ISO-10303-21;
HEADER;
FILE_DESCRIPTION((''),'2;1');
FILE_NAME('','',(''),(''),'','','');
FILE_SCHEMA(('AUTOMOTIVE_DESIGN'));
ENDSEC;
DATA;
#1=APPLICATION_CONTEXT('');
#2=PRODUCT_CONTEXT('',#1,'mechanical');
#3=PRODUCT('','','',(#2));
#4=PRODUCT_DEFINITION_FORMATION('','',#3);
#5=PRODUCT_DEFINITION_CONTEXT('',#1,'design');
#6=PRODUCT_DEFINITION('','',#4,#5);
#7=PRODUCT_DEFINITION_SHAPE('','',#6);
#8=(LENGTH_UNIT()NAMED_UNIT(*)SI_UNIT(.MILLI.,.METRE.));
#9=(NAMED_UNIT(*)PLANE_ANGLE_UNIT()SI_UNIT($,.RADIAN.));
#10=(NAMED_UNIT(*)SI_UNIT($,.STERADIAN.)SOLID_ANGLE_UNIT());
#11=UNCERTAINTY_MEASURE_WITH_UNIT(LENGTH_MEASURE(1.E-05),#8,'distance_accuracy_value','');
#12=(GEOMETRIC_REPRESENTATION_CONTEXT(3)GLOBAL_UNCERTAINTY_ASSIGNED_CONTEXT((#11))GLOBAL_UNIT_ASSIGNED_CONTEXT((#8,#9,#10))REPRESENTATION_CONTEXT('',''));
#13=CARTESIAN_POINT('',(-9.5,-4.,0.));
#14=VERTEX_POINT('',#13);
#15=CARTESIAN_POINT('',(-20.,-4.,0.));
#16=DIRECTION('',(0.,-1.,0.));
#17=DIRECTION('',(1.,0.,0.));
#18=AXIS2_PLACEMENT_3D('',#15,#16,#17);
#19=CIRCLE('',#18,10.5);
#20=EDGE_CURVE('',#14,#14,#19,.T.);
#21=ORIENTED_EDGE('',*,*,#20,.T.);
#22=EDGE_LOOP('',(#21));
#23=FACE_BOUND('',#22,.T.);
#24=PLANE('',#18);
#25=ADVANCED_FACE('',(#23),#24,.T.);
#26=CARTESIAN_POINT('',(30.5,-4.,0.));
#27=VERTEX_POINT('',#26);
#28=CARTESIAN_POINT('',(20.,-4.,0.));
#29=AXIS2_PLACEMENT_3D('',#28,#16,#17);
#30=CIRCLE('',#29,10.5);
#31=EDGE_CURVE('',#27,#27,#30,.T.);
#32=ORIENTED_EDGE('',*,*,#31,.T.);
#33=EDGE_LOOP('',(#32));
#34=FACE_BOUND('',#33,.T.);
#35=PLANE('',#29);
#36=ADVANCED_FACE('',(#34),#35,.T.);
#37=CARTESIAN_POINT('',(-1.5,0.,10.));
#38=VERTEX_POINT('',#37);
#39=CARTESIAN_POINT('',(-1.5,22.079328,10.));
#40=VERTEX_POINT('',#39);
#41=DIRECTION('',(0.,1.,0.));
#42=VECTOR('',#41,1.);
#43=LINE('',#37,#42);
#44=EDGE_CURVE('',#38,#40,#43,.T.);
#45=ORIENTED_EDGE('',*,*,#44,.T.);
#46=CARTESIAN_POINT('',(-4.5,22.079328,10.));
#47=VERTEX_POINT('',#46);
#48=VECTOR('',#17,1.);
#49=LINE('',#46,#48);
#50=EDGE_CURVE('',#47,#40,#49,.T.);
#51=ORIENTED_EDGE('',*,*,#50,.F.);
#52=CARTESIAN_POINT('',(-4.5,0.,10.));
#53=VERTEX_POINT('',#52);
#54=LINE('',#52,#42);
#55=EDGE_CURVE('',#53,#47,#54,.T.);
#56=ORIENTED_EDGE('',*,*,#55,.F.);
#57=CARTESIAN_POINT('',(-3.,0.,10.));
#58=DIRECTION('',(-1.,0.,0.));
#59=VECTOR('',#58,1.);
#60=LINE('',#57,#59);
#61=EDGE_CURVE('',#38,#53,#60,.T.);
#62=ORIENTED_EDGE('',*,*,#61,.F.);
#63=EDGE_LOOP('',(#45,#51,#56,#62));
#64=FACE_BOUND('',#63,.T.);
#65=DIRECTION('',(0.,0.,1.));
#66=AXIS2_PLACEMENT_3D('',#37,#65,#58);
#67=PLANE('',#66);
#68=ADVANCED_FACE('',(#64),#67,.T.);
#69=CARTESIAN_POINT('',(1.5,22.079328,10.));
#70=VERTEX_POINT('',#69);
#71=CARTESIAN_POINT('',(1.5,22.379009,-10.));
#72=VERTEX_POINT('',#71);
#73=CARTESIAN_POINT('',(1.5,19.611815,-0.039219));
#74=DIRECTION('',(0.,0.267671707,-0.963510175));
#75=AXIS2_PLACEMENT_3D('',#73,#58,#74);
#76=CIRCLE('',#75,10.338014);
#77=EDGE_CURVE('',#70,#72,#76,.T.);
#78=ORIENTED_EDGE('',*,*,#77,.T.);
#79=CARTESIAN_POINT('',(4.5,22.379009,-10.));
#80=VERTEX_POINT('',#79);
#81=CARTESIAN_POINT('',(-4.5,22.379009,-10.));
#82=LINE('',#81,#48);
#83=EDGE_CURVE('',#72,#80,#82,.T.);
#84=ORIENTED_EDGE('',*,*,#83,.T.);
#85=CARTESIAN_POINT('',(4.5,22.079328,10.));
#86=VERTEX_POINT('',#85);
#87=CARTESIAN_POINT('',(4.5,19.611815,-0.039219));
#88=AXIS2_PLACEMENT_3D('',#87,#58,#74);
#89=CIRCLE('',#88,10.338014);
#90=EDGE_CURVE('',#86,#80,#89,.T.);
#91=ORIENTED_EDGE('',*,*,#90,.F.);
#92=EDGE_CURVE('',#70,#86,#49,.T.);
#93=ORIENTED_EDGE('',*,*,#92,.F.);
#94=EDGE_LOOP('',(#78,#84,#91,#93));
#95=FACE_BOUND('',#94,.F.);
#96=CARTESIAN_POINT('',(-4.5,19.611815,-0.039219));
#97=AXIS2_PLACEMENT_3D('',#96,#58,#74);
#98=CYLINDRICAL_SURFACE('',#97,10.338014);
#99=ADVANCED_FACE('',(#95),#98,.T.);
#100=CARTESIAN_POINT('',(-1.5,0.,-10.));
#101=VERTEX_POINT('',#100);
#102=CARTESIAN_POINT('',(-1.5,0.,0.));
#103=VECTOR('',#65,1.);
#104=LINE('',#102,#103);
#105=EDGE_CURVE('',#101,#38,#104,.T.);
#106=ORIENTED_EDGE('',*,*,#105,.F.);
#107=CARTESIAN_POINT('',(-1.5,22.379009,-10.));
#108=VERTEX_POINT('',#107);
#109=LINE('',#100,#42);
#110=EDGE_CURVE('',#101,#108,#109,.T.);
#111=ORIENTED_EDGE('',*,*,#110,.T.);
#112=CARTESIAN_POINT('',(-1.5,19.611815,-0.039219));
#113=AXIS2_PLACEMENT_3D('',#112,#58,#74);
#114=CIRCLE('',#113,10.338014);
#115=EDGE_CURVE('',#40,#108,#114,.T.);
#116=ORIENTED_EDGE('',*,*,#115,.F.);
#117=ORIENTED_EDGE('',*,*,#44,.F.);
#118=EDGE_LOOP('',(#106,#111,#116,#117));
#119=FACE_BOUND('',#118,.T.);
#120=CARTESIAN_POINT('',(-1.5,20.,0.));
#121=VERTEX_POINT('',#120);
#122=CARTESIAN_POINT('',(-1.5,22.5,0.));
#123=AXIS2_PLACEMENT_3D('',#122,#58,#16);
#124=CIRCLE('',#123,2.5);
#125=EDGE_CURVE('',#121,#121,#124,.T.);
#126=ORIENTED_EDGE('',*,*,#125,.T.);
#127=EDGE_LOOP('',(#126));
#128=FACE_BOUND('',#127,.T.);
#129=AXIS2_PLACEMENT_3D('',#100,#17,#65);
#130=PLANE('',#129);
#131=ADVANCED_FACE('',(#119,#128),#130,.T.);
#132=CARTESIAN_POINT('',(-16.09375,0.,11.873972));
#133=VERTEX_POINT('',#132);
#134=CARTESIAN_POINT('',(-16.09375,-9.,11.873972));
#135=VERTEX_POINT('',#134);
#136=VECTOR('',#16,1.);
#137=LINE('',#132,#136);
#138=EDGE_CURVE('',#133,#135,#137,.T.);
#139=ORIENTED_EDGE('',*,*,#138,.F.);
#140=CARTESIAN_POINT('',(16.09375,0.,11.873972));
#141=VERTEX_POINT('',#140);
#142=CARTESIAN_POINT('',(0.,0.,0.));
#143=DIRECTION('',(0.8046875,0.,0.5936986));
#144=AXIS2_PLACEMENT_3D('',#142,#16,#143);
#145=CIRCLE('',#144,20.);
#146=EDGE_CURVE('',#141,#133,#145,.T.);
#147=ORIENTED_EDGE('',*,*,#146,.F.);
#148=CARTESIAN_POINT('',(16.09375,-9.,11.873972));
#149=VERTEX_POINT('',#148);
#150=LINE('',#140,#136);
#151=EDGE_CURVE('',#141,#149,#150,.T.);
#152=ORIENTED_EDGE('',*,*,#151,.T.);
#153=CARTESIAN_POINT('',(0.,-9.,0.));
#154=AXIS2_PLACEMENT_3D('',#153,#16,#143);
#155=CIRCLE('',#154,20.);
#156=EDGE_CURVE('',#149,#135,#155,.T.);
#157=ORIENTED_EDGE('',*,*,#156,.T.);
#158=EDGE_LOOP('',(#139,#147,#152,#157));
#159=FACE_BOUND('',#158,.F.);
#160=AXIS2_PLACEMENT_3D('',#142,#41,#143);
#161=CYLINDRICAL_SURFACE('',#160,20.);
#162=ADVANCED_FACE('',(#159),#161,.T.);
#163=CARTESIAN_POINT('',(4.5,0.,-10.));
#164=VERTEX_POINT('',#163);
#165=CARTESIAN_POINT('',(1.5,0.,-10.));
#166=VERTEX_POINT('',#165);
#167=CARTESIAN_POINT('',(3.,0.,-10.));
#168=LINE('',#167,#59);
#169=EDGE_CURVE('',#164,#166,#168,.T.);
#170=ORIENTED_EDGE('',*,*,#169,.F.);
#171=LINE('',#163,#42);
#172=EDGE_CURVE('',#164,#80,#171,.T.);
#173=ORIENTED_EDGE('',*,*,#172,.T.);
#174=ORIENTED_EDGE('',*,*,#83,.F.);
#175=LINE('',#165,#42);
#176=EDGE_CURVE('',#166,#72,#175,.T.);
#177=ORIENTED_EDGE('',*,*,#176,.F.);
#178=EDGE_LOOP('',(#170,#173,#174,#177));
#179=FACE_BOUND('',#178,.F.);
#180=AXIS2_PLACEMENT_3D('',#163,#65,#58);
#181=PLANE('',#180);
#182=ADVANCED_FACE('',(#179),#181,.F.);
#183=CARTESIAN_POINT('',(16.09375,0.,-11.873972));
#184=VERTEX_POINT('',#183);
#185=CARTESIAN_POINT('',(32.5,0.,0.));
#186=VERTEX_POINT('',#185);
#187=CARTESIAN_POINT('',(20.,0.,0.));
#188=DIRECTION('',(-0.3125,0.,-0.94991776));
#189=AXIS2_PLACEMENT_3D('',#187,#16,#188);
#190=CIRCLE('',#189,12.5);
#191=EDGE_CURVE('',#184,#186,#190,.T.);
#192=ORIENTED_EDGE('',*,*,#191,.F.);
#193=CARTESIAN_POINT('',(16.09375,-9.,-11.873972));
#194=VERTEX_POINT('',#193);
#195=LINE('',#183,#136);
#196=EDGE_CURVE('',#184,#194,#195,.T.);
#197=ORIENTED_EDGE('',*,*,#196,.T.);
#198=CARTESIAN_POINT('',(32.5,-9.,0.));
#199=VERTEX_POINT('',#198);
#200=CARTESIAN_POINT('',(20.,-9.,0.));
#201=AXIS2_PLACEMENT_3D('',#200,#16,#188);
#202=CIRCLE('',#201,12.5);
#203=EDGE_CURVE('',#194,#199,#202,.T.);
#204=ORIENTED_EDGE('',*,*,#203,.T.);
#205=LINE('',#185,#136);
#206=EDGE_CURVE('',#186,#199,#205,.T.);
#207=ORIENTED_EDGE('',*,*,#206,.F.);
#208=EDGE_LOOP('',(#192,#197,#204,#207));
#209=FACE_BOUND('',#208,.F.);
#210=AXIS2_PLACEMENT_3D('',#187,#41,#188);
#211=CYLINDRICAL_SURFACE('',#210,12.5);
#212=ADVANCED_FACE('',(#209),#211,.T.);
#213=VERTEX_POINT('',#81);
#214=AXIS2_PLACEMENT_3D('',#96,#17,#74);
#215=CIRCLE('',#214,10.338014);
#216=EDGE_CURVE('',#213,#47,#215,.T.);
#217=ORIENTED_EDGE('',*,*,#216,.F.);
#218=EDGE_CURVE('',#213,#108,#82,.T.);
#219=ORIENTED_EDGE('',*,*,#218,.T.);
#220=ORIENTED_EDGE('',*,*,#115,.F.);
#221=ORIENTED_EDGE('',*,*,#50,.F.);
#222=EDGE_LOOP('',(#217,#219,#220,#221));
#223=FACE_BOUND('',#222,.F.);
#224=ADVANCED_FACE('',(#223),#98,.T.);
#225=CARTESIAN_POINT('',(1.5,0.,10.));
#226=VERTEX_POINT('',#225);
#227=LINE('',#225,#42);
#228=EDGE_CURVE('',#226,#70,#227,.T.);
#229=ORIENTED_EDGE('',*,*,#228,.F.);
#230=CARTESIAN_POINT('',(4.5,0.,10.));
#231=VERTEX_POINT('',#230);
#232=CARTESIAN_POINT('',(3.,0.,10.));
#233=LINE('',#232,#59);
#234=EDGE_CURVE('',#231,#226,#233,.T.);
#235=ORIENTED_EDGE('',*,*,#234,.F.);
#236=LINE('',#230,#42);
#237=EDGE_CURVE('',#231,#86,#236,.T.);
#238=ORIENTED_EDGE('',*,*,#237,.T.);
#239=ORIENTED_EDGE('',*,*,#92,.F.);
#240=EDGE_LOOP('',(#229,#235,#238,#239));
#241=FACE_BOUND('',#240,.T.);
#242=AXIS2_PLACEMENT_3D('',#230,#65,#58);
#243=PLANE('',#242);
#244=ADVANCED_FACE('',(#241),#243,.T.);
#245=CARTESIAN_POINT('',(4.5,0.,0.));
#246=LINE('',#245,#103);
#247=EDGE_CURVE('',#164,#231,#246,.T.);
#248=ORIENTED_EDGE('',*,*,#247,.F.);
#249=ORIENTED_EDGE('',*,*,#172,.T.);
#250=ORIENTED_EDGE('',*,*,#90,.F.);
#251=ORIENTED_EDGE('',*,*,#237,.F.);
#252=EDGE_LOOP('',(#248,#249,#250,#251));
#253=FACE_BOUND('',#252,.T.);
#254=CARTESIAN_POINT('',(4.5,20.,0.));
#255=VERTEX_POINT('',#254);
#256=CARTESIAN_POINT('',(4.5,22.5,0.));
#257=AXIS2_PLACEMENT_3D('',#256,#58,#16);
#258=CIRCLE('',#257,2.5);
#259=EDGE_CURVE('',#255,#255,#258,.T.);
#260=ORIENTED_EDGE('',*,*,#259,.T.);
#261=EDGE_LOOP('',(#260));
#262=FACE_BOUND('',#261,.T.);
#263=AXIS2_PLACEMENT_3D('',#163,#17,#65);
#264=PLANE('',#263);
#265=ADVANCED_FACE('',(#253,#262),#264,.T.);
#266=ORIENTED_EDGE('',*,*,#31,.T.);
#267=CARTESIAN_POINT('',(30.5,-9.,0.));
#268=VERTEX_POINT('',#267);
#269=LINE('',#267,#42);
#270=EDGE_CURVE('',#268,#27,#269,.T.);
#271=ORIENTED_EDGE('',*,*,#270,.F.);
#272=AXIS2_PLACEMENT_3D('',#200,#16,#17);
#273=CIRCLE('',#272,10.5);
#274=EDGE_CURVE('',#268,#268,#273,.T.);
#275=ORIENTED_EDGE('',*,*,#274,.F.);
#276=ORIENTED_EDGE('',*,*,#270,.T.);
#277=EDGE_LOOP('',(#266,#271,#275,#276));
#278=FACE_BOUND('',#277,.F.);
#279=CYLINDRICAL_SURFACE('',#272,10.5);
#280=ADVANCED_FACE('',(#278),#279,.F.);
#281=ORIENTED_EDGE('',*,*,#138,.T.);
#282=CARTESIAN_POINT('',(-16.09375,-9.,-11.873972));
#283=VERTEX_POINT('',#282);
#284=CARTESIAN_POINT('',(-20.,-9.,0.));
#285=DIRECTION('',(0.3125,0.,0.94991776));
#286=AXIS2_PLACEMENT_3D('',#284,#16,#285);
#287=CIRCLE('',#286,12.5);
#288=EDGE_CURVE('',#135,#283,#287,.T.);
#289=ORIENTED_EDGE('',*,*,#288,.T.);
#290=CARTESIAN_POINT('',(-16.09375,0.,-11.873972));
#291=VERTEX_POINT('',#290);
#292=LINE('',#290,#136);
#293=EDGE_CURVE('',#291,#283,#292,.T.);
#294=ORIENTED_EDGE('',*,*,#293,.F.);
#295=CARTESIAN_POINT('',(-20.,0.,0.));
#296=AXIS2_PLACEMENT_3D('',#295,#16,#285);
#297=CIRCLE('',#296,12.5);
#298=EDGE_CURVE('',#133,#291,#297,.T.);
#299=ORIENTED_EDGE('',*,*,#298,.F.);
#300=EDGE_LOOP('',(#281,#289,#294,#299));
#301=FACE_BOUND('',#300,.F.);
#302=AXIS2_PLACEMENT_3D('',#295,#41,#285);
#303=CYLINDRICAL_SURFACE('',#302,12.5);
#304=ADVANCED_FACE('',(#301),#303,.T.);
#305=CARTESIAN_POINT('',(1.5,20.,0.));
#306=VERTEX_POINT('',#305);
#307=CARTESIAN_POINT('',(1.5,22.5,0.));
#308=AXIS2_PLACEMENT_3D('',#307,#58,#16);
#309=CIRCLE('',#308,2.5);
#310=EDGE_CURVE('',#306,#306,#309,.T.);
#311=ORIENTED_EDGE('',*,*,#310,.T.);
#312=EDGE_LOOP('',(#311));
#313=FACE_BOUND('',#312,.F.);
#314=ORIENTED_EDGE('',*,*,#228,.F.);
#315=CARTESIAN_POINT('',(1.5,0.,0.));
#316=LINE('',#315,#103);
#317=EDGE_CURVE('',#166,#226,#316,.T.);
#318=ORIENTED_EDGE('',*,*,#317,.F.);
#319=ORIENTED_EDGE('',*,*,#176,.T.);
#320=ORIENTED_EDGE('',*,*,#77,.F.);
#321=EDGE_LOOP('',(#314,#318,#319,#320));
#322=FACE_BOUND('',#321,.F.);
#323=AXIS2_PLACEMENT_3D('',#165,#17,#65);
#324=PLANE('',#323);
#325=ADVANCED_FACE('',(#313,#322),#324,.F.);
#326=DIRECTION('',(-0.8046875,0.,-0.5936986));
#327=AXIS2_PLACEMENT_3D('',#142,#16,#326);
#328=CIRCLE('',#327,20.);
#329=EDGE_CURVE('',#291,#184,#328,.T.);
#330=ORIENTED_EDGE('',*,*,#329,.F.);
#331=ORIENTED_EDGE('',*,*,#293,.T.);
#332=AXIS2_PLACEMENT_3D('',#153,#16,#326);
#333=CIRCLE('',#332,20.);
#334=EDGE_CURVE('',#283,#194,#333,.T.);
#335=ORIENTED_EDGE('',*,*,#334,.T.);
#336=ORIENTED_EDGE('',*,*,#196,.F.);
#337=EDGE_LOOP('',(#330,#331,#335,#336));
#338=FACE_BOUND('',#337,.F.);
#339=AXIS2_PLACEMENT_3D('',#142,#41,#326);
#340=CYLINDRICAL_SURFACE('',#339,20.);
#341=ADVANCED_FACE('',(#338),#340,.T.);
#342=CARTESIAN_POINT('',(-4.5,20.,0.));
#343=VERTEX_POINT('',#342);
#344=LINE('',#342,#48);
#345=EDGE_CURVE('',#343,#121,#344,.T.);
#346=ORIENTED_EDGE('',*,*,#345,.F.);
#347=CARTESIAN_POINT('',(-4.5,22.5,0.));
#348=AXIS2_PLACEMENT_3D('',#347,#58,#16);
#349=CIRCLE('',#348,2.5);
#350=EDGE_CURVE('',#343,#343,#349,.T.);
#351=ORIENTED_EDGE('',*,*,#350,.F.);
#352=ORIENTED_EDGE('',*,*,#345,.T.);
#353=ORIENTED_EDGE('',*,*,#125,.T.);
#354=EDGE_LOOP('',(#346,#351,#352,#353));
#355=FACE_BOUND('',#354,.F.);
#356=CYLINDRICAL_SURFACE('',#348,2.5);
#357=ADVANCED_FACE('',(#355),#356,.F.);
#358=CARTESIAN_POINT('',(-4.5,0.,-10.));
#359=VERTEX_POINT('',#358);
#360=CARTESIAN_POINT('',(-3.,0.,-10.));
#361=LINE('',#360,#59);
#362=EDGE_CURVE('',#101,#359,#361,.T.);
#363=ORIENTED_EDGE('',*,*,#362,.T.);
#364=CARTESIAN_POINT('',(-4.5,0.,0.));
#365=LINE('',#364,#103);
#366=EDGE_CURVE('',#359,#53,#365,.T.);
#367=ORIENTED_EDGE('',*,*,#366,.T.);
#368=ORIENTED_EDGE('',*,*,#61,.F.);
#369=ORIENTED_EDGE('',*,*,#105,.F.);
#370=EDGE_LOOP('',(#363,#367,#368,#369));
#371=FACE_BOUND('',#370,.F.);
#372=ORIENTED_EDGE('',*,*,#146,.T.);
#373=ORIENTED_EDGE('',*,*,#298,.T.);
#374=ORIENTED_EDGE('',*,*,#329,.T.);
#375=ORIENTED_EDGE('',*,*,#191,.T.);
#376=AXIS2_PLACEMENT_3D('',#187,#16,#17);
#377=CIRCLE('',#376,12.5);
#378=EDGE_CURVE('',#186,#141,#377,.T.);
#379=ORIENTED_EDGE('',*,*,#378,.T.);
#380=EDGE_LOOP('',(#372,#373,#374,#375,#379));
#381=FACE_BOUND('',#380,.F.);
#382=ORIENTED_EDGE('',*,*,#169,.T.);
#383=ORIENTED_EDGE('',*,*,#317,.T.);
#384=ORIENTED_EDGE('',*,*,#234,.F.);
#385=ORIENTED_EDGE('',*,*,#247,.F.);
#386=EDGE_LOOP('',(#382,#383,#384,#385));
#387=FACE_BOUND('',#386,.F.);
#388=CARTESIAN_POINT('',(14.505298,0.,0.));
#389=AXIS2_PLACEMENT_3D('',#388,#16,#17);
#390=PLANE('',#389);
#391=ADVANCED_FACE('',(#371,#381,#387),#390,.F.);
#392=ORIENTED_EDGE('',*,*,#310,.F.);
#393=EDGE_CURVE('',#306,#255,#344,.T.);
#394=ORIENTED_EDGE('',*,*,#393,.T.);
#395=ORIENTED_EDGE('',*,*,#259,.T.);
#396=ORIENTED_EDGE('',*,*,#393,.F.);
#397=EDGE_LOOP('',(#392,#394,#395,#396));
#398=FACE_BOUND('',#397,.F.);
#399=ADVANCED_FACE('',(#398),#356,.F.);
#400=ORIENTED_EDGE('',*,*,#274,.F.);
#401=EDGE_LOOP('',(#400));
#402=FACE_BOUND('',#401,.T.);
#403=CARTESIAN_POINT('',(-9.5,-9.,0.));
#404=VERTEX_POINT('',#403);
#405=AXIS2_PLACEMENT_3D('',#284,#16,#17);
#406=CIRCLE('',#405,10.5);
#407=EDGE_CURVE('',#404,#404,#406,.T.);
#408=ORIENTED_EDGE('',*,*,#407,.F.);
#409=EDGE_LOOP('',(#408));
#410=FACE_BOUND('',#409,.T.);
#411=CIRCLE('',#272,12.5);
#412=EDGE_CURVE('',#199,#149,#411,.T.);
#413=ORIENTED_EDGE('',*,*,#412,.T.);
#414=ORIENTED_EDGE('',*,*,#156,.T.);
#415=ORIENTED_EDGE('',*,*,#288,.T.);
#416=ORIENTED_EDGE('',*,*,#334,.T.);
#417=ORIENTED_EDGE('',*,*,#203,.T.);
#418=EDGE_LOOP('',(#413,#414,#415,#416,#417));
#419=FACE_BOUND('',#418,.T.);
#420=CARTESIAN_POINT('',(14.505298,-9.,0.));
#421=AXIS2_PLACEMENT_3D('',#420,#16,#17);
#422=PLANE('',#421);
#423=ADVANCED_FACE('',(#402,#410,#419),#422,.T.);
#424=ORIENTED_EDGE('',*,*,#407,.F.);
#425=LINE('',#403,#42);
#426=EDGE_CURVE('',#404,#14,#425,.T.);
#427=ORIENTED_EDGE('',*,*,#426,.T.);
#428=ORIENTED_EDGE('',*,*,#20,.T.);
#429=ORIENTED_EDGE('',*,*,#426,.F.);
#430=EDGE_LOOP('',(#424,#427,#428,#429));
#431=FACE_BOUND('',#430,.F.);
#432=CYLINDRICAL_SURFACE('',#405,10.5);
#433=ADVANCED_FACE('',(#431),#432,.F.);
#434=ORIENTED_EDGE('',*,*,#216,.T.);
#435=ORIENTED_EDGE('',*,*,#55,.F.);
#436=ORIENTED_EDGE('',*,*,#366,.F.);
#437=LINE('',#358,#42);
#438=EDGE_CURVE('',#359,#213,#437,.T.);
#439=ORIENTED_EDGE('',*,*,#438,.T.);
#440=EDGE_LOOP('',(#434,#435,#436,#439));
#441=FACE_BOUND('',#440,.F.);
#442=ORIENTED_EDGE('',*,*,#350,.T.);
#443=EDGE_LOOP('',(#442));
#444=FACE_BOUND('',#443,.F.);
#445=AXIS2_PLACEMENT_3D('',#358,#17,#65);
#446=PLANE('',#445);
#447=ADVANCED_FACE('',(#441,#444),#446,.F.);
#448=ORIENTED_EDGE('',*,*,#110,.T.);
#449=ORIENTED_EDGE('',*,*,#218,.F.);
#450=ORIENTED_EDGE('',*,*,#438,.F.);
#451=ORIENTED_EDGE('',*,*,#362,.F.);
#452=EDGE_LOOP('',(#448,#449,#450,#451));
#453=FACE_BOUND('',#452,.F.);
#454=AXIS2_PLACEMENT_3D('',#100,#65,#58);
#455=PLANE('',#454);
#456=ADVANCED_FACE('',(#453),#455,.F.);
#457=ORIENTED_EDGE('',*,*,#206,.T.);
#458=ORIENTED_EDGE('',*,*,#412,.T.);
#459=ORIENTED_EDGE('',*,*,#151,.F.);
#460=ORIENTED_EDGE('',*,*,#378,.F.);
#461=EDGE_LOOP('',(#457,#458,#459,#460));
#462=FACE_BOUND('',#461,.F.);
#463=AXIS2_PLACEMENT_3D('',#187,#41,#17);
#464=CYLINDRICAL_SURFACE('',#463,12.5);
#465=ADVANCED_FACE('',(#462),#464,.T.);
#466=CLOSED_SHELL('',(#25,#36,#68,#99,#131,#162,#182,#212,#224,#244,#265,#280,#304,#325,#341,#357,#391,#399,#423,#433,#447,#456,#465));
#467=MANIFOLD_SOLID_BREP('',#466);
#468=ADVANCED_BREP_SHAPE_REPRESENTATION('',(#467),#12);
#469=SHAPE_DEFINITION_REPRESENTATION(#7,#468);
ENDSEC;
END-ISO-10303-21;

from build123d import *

# Parameters (mm, degrees)
F1_DEPTH = 9
F2_W     = 3
F2_H     = 20
F3_DEPTH = 30
F4_R     = 2.5
F5_DEPTH = 10
F7_DEPTH = 10
F8_R     = 10.5
F9_DEPTH = 5


with BuildPart() as f1:
    # F0 (on Front) → F1 (new body)
    with BuildSketch(Plane.XZ):
        with BuildLine():
            ThreePointArc((16.09375, -11.873971995), (18.998355192, -6.25), (20, 0))
            ThreePointArc((20, 0), (18.998355192, 6.25), (16.09375, 11.873971995))
            ThreePointArc((16.09375, 11.873971995), (7.5, 0), (16.09375, -11.873971995))
        make_face()
        with BuildLine():
            ThreePointArc((16.09375, 11.873971995), (18.998355192, 6.25), (20, 0))
            ThreePointArc((20, 0), (18.998355192, -6.25), (16.09375, -11.873971995))
            ThreePointArc((16.09375, -11.873971995), (27.3287746247, -10.1261573413), (32.5, 0))
            ThreePointArc((32.5, 0), (27.3287746247, 10.1261573413), (16.09375, 11.873971995))
        make_face()
        with BuildLine():
            ThreePointArc((16.09375, -11.873971995), (7.5, 0), (16.09375, 11.873971995))
            ThreePointArc((16.09375, 11.873971995), (0, 20), (-16.09375, 11.873971995))
            ThreePointArc((-16.09375, 11.873971995), (-9.8738426587, 7.3287746247), (-7.5, 0))
            ThreePointArc((-7.5, 0), (-9.8738426587, -7.3287746247), (-16.09375, -11.873971995))
            ThreePointArc((-16.09375, -11.873971995), (0, -20), (16.09375, -11.873971995))
        make_face()
        with BuildLine():
            ThreePointArc((-7.5, 0), (-9.8738426587, 7.3287746247), (-16.09375, 11.873971995))
            ThreePointArc((-16.09375, 11.873971995), (-20, 0), (-16.09375, -11.873971995))
            ThreePointArc((-16.09375, -11.873971995), (-9.8738426587, -7.3287746247), (-7.5, 0))
        make_face()
        with BuildLine():
            ThreePointArc((-16.09375, -11.873971995), (-20, 0), (-16.09375, 11.873971995))
            ThreePointArc((-16.09375, 11.873971995), (-32.5, 0), (-16.09375, -11.873971995))
        make_face()
    extrude(amount=F1_DEPTH)

    # F2 (on face) → F3 (join)
    with BuildSketch(Plane(origin=(0, 0, 0), x_dir=(-1, 0, 0), z_dir=(0, 1, 0))):
        with Locations((-3, 0)):
            Rectangle(F2_W, F2_H)
        with Locations((3, 0)):
            Rectangle(F2_W, F2_H)
    extrude(amount=F3_DEPTH)

    # F4 (on face) → F5 (cut)
    with BuildSketch(Plane(origin=(-4.5, 0, 0), x_dir=(0, -1, 0), z_dir=(-1, 0, 0))):
        with Locations((-22.5, 0)):
            Circle(F4_R)
    extrude(amount=-F5_DEPTH, mode=Mode.SUBTRACT)

    # F6 (on face) → F7 (cut)
    with BuildSketch(Plane(origin=(-4.5, 0, 0), x_dir=(0, -1, 0), z_dir=(-1, 0, 0))):
        with BuildLine():
            ThreePointArc((-22.3790090531, -10), (-29.9486686635, 0.115669367), (-22.0793280751, 10))
            Line((-22.0793280751, 10), (-30, 10))
            Line((-30, 10), (-30, -10))
            Line((-30, -10), (-22.3790090531, -10))
        make_face()
    extrude(amount=-F7_DEPTH, mode=Mode.SUBTRACT)

    # F8 (on face) → F9 (cut)
    with BuildSketch(Plane.XZ.offset(9)):
        with Locations((-20, 0)):
            Circle(F8_R)
        with Locations((20, 0)):
            Circle(F8_R)
    extrude(amount=-F9_DEPTH, mode=Mode.SUBTRACT)


solid = f1.part
